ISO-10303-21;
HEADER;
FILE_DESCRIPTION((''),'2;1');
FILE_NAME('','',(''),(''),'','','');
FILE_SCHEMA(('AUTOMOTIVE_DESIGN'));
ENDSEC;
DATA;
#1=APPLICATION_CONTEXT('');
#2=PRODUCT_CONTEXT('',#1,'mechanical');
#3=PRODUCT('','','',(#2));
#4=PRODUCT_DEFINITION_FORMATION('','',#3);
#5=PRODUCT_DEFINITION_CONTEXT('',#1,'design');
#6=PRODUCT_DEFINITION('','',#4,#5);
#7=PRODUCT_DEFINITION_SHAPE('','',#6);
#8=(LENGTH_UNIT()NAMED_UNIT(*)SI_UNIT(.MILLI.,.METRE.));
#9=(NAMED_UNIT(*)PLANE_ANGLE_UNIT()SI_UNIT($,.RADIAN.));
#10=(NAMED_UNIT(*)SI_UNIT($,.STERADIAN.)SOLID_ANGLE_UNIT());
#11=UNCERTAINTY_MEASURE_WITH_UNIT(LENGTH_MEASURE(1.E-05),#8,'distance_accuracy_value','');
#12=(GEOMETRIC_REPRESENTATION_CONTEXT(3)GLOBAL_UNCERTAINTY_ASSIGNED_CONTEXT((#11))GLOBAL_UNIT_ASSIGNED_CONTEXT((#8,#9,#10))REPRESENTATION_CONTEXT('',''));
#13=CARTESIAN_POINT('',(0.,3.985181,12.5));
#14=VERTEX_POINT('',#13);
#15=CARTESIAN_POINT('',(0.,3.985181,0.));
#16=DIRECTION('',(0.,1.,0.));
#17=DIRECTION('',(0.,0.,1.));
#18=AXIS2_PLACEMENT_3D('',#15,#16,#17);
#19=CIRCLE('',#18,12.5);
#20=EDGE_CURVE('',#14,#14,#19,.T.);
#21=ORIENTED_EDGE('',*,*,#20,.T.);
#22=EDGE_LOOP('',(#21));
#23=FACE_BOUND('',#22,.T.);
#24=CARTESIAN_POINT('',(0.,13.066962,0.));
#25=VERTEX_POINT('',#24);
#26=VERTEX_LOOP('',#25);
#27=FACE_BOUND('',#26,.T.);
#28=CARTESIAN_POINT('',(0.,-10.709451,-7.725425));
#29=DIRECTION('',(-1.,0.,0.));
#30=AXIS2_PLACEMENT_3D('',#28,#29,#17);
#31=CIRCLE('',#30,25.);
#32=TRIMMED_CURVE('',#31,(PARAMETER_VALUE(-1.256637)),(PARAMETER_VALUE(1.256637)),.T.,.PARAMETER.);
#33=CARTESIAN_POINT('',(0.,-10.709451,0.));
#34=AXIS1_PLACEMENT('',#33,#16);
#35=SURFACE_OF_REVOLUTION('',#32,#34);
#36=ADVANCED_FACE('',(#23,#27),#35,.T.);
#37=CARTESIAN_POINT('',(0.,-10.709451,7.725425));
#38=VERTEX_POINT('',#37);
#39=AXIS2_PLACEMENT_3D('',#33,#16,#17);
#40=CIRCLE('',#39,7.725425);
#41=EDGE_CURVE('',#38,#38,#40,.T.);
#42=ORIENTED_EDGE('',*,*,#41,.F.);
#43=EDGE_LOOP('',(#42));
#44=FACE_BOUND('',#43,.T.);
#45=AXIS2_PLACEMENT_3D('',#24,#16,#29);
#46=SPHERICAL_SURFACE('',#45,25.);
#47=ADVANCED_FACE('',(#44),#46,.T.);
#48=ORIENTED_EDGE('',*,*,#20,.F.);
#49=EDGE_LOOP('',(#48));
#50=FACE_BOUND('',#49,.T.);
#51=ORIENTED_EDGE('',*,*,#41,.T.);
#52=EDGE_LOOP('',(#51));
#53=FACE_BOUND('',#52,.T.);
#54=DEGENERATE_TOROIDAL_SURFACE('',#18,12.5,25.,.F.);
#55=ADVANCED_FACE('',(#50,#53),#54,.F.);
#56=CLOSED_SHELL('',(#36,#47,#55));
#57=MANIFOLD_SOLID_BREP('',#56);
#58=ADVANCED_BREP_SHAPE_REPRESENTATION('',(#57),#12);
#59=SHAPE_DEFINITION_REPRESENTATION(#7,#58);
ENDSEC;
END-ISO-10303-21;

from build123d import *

# Parameters (mm, degrees)
SCALE1_SCALE = 0.5


with BuildPart() as part:
    # Sketch1 → Revolve1 (revolve)
    with BuildSketch(Plane.XY, mode=Mode.PRIVATE) as revolve1_sk:
        with BuildLine():
            Line((0, 26.286555606), (0, -23.713444394))
            ThreePointArc((0, -23.713444394), (7.821723252, -23.097861424), (15.450849719, -21.266270209))
            ThreePointArc((15.450849719, -21.266270209), (22.552825815, -7.327857313), (25, 8.122992406))
            ThreePointArc((25, 8.122992406), (13.938412896, 19.18457951), (0, 26.286555606))
        make_face()
    revolve(revolve1_sk.sketch.rotate(Axis((0, 55.76735263, 0), (0, -1, 0)), 90), axis=Axis((0, 55.76735263, 0), (0, -1, 0)))


with BuildPart() as part_1:
    # Scale1: scaled about (0, -0.152630804, 0)
    add(part.part.scale(SCALE1_SCALE).moved(Location((0, -0.076315402, 0))))


solid = part_1.part
